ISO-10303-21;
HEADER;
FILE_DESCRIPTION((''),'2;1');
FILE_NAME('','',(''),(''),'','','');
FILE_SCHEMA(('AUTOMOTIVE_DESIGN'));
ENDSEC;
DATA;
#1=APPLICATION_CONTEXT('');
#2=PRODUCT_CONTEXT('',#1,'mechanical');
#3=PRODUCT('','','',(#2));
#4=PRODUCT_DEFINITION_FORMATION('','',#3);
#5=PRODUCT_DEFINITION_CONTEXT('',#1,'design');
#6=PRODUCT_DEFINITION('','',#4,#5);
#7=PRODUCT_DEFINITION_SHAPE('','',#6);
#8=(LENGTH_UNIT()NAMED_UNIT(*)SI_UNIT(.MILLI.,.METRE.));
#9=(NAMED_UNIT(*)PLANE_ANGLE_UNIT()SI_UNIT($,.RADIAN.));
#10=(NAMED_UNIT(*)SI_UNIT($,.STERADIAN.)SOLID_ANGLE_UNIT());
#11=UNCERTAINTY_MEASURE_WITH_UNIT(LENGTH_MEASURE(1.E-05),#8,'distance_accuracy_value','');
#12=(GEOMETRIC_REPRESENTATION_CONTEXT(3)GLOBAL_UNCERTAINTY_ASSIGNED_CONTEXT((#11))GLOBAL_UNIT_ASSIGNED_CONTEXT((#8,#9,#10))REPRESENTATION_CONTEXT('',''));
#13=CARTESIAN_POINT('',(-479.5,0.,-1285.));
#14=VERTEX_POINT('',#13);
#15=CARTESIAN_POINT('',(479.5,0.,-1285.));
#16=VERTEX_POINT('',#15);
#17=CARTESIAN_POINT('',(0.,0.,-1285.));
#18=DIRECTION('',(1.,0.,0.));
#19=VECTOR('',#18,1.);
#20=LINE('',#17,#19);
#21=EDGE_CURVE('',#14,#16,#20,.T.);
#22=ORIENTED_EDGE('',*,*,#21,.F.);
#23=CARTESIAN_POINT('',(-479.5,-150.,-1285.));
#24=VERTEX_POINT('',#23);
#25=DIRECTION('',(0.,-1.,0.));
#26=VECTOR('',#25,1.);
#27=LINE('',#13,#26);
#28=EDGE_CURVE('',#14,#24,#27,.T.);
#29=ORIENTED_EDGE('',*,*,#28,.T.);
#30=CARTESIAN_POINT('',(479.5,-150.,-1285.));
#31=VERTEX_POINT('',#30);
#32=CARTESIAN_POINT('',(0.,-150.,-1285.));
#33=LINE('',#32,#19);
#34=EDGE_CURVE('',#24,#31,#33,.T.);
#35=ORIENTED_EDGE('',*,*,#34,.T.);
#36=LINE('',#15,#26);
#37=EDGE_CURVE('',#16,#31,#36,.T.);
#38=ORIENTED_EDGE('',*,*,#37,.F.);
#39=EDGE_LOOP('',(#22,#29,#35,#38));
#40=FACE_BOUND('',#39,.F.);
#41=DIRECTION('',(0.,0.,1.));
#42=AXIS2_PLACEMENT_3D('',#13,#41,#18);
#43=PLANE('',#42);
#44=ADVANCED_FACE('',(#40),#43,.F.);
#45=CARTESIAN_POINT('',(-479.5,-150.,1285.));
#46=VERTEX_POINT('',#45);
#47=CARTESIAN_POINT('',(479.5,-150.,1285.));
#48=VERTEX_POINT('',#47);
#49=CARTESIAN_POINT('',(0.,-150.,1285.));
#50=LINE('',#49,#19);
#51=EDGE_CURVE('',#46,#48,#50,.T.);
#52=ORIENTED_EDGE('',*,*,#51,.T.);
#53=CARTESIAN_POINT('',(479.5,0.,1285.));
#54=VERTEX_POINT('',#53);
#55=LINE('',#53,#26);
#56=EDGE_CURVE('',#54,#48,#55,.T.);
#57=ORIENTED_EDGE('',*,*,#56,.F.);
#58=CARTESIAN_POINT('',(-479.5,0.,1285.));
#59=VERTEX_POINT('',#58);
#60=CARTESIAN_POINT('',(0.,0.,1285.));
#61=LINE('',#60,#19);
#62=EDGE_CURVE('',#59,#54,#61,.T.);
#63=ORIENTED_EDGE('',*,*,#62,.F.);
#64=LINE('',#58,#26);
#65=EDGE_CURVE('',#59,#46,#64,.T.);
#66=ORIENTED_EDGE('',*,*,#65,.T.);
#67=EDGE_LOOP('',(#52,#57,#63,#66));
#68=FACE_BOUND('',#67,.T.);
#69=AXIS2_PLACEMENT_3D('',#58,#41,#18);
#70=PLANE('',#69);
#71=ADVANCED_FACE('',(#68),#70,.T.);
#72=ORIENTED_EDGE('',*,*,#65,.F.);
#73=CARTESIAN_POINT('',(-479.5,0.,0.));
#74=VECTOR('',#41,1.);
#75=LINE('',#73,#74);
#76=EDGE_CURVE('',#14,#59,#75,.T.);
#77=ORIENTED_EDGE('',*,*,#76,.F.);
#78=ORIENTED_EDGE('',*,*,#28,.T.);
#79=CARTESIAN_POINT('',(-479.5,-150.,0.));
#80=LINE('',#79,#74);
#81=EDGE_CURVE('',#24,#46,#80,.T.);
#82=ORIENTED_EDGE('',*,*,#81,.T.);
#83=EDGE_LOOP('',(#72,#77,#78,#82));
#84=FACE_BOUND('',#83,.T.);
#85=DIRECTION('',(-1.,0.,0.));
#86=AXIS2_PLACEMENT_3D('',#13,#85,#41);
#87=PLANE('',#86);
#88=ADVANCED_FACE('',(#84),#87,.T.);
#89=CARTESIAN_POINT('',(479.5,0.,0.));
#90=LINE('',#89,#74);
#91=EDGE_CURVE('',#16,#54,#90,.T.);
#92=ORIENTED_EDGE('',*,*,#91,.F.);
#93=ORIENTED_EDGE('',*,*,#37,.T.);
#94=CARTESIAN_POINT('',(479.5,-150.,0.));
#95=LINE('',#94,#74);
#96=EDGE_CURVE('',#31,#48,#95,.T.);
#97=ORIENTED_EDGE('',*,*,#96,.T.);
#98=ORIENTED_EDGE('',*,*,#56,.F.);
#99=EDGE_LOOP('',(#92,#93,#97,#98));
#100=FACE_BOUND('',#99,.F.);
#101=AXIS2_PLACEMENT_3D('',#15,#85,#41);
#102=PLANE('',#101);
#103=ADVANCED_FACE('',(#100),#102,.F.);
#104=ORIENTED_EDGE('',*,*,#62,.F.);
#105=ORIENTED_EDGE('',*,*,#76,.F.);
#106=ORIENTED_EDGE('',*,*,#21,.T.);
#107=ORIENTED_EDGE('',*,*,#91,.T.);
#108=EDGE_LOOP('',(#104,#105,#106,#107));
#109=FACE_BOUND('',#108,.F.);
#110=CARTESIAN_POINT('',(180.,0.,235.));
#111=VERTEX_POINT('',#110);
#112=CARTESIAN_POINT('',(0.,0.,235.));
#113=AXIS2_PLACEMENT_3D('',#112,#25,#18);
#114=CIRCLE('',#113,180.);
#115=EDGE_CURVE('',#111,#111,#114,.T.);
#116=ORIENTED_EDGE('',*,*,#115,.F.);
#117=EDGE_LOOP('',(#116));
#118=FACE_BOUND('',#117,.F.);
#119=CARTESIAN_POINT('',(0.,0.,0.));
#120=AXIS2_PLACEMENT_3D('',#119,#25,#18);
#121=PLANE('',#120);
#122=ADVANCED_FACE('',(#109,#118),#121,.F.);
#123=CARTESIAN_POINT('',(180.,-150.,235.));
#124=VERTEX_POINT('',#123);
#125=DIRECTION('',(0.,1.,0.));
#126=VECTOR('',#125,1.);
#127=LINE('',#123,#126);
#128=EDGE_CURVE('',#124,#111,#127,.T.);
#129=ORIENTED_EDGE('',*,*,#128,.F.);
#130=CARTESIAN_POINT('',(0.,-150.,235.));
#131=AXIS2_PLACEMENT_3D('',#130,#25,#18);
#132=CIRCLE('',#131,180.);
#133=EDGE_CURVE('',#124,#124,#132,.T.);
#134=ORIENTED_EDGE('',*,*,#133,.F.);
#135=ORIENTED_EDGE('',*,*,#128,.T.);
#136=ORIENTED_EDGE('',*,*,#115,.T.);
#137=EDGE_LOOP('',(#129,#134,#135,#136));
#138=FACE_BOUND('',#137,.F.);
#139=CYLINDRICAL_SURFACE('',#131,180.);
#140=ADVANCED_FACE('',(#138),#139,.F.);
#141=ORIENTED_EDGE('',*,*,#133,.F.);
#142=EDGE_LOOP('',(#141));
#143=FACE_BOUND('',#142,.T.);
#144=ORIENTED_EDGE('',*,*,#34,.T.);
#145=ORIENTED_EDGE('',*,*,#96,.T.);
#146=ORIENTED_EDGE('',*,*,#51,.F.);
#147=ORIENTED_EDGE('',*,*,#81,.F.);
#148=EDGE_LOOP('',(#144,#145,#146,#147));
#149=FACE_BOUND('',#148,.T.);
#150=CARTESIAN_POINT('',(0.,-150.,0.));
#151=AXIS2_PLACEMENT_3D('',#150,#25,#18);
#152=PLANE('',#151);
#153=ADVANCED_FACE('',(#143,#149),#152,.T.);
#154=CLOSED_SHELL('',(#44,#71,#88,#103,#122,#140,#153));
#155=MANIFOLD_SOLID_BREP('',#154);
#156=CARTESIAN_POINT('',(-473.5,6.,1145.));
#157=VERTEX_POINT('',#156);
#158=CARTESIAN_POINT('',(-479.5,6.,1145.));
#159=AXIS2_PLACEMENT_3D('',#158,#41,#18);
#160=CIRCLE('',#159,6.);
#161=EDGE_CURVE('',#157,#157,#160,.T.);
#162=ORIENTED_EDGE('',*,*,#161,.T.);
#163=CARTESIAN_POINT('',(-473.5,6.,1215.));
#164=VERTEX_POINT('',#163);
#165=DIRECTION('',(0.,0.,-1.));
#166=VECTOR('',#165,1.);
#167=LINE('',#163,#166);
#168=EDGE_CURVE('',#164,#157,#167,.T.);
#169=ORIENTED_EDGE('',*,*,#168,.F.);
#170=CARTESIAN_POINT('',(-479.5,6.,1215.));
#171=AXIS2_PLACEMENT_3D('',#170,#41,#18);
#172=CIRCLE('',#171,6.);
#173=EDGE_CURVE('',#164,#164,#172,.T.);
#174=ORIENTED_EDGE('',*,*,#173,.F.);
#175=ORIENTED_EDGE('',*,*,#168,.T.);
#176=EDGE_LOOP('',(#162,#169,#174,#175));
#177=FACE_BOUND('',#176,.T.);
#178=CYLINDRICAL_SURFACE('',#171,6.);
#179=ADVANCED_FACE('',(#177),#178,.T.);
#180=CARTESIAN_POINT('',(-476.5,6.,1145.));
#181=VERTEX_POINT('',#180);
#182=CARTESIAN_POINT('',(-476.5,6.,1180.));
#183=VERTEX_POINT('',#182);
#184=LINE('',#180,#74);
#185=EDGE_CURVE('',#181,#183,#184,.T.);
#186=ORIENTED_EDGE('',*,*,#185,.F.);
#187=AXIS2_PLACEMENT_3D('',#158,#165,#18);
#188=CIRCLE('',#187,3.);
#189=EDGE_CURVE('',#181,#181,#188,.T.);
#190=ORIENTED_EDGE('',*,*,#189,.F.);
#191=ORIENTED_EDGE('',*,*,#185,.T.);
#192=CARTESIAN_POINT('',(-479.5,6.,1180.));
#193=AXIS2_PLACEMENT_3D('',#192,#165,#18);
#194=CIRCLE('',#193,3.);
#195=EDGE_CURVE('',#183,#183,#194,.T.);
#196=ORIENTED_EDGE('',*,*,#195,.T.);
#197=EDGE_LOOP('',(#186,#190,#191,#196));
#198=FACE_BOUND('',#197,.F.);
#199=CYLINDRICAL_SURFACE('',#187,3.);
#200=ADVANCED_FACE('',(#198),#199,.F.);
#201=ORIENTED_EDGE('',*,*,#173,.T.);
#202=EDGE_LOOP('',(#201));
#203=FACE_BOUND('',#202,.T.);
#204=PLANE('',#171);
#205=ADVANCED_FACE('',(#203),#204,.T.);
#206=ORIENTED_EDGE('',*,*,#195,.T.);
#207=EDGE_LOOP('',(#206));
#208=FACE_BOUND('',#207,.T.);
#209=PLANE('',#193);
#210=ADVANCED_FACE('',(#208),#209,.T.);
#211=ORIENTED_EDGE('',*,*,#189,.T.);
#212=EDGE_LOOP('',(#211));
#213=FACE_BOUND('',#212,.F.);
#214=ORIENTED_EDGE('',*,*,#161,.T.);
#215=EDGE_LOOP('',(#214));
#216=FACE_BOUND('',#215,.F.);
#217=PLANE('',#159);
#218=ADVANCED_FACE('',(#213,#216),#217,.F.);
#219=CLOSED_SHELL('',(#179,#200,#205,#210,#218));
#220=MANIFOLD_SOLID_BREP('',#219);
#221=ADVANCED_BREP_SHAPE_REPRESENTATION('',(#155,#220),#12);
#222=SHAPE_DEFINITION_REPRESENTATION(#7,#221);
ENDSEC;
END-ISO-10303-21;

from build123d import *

# Parameters (mm, degrees)
F0_W     = 959
F0_H     = 2570
F1_DEPTH = 150
F2_R     = 180
F3_DEPTH = 185.42
F5_R     = 6
F6_DEPTH = 70
F7_R     = 3
F8_DEPTH = 35


with BuildPart() as f1:
    # F0 (on Front) → F1 (new body)
    with BuildSketch(Plane.XZ):
        Rectangle(F0_W, F0_H)
    extrude(amount=F1_DEPTH)

    # F2 (on face) → F3 (cut)
    with BuildSketch(Plane.XZ.offset(150)):
        with Locations((0, 235)):
            Circle(F2_R)
    extrude(amount=-F3_DEPTH, mode=Mode.SUBTRACT)


with BuildPart() as f6:
    # F5 (on offset) → F6 (new body)
    with BuildSketch(Plane.XY.offset(1215)):
        with Locations((-479.5, 6)):
            Circle(F5_R)
    extrude(amount=-F6_DEPTH)

    # F7 (on face) → F8 (cut)
    with BuildSketch(Plane(origin=(0, 0, 1145), x_dir=(1, 0, 0), z_dir=(0, 0, -1))):
        with Locations((-479.5, -6)):
            Circle(F7_R)
    extrude(amount=-F8_DEPTH, mode=Mode.SUBTRACT)


solid = Compound([f1.part, f6.part])
